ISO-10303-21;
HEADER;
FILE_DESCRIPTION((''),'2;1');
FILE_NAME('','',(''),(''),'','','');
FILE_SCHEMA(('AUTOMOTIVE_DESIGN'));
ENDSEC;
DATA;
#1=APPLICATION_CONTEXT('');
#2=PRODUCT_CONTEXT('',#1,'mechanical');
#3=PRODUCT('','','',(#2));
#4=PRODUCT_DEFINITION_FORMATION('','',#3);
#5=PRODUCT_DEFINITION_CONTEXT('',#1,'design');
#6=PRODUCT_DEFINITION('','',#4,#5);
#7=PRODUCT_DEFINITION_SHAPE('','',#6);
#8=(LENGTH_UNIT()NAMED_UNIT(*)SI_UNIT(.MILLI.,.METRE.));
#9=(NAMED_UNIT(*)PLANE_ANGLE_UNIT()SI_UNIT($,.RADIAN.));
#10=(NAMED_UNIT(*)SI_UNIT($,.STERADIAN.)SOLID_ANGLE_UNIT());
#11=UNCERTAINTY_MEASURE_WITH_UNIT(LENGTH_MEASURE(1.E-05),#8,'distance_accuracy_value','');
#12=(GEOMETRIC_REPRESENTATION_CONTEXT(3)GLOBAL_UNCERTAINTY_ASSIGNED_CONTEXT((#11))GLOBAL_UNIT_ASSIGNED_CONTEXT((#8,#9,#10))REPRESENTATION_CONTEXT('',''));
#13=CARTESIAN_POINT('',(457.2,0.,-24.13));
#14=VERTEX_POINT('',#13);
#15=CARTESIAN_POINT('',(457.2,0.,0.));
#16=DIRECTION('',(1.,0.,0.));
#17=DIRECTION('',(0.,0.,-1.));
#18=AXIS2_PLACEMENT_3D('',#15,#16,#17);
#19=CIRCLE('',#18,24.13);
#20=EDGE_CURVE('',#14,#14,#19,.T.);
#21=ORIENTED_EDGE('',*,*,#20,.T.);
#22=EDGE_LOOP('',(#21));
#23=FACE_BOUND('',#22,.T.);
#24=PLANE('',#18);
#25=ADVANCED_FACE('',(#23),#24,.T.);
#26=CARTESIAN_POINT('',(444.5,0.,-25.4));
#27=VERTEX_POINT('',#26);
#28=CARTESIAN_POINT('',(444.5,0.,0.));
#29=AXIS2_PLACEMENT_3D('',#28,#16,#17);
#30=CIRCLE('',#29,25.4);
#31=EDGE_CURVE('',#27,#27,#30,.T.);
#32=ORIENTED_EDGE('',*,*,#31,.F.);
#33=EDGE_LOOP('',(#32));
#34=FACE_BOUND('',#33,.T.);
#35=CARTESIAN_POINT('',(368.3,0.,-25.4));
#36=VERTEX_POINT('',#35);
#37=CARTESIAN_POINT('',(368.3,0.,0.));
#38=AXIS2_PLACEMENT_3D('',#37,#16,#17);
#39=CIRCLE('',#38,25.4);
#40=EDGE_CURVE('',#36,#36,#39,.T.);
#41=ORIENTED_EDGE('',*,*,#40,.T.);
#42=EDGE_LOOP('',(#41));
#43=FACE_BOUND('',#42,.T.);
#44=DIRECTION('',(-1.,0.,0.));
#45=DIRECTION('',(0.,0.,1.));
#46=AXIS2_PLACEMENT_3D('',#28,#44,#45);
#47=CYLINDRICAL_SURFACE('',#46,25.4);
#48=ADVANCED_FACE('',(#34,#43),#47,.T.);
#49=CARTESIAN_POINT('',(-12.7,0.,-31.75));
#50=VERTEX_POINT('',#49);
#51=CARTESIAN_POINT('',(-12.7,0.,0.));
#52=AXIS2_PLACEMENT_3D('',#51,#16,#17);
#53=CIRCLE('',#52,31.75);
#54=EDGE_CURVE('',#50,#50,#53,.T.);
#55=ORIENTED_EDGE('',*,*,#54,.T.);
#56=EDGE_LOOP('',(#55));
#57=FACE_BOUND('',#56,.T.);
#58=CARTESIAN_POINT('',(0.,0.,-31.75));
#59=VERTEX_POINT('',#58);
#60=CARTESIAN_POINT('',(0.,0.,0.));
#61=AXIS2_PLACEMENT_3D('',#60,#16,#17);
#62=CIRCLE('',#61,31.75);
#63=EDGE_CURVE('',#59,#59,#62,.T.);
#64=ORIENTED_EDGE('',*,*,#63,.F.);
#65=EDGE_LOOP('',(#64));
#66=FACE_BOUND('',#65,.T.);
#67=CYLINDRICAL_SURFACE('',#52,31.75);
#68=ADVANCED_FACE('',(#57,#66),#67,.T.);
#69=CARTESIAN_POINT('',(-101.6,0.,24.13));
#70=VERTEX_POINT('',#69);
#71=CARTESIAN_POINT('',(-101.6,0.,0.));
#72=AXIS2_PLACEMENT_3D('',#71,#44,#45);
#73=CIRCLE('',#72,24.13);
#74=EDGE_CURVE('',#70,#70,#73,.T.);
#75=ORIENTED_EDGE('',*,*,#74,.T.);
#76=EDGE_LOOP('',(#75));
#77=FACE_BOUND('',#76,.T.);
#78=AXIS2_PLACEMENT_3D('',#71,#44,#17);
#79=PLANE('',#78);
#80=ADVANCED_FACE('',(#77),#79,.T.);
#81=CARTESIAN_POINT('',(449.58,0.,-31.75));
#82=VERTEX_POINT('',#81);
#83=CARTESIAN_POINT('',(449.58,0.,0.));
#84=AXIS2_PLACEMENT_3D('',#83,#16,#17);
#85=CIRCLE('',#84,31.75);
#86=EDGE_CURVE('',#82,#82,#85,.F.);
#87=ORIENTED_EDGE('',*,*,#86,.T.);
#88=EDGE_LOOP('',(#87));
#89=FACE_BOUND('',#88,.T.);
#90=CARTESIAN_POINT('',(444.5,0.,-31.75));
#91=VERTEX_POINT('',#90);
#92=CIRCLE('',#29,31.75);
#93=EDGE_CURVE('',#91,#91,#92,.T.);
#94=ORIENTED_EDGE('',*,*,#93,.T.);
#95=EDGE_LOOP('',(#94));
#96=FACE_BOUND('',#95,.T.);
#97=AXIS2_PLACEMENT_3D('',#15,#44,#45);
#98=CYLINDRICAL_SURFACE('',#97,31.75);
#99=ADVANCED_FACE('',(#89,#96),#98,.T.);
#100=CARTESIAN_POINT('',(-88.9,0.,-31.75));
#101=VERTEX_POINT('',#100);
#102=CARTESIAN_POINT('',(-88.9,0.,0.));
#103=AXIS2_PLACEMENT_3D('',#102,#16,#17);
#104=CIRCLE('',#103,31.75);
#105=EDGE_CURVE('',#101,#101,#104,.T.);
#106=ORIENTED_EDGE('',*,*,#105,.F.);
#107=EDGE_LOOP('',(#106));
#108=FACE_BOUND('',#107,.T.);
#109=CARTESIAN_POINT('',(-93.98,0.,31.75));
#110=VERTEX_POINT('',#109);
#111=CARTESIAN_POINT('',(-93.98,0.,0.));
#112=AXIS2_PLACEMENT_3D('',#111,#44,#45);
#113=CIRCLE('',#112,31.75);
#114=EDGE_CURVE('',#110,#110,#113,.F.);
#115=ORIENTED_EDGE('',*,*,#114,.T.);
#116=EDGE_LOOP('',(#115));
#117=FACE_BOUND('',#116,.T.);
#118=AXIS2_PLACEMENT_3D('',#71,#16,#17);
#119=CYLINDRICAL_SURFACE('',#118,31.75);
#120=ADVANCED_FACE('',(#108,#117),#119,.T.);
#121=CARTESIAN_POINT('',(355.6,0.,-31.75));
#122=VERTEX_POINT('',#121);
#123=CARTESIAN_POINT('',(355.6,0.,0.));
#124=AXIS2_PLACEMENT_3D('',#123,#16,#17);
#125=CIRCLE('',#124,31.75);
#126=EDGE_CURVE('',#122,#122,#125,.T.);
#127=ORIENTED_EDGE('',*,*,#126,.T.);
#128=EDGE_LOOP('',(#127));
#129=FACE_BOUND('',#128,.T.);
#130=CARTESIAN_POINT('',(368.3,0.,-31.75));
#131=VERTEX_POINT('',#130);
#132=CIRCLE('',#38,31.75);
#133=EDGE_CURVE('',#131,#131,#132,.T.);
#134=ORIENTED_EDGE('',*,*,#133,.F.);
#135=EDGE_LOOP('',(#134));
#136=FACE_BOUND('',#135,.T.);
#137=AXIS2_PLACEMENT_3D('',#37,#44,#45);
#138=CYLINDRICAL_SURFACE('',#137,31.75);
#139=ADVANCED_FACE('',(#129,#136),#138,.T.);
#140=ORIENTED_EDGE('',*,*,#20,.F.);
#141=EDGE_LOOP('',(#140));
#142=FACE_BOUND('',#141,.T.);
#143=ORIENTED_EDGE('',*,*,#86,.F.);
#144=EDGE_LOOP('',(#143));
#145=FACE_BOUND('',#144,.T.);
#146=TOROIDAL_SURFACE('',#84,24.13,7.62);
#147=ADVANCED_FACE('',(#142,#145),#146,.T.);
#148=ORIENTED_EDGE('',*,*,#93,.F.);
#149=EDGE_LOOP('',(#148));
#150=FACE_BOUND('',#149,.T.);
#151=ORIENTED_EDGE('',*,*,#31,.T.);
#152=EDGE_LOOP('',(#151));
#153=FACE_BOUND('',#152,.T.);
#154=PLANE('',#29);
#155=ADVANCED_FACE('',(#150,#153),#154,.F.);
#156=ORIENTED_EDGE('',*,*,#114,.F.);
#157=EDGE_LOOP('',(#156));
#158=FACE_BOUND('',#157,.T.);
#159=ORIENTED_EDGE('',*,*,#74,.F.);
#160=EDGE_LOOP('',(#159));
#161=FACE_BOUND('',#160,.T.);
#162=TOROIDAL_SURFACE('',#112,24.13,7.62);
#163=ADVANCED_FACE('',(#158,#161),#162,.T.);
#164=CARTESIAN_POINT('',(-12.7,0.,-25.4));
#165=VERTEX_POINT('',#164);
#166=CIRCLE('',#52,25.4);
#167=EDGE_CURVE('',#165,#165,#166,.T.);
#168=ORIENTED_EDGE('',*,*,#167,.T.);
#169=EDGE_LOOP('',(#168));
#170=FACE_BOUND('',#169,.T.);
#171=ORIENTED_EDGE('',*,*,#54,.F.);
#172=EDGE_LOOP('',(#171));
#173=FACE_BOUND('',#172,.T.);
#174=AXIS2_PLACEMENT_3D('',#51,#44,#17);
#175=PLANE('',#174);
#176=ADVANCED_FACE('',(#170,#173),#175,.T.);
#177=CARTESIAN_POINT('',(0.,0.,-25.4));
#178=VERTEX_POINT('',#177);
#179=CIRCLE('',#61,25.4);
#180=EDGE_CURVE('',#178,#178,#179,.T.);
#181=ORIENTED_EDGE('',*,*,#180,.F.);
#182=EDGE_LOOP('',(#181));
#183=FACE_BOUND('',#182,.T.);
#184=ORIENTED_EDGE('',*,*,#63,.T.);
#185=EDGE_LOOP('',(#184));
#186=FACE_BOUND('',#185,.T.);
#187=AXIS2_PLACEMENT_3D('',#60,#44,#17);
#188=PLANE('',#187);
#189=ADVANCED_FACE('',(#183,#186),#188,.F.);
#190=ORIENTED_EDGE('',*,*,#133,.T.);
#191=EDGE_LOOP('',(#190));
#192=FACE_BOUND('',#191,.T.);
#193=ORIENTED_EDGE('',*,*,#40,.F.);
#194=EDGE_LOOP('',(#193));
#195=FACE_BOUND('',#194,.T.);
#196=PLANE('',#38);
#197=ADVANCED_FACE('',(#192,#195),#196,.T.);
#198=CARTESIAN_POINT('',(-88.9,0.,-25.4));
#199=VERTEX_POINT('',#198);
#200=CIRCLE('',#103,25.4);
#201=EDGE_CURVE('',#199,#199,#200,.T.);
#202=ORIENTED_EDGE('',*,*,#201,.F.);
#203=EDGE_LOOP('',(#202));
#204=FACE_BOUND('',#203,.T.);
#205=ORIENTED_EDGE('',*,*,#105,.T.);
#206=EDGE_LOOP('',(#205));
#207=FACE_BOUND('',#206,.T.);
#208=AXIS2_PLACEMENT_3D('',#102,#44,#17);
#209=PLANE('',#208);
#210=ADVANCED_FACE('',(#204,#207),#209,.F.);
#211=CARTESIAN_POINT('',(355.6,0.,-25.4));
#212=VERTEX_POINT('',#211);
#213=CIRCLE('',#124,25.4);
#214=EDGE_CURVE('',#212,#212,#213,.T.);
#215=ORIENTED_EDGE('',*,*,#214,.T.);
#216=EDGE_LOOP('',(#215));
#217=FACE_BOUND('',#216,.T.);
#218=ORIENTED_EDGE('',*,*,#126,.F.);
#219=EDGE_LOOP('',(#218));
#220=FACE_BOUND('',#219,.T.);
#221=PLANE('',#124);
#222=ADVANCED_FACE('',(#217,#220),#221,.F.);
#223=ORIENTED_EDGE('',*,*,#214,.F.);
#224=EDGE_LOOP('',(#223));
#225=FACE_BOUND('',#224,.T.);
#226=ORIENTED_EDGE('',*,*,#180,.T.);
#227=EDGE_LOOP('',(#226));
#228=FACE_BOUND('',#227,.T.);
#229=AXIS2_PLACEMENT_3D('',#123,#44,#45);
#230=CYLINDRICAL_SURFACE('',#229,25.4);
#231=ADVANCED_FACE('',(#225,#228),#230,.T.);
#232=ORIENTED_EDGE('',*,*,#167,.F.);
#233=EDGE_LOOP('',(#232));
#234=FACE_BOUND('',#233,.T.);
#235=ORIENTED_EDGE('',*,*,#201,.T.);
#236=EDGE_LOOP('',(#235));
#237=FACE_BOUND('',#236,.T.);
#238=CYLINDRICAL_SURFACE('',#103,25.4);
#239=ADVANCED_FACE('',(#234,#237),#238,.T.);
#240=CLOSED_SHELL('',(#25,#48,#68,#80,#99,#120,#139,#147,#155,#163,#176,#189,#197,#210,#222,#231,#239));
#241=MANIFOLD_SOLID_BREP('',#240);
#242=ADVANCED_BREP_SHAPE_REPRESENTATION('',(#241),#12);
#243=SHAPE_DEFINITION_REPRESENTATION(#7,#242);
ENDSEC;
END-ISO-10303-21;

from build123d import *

# Parameters (mm, degrees)
SKETCH1_R           = 25.4
BOSS_EXTRUDE1_DEPTH = 355.6
SKETCH2_R           = 31.75
BOSS_EXTRUDE2_DEPTH = 12.7
SKETCH3_R           = 25.4
BOSS_EXTRUDE3_DEPTH = 76.2
SKETCH4_R           = 31.75
BOSS_EXTRUDE4_DEPTH = 12.7
FILLET1_R           = 7.62
FILLET2_R           = 7.62


with BuildPart() as part:
    # Sketch1 → Boss-Extrude1 (new body)
    with BuildSketch(Plane(origin=(0, 0, 0), x_dir=(0, 0, -1), z_dir=(1, 0, 0))):
        Circle(SKETCH1_R)
    extrude(amount=BOSS_EXTRUDE1_DEPTH)

    # Sketch2 → Boss-Extrude2 (add)
    with BuildSketch(Plane(origin=(355.6, 0, 0), x_dir=(0, 0, -1), z_dir=(1, 0, 0))):
        Circle(SKETCH2_R)
    boss_extrude2 = extrude(amount=BOSS_EXTRUDE2_DEPTH)

    # Sketch3 → Boss-Extrude3 (add)
    with BuildSketch(Plane(origin=(368.3, 0, 0), x_dir=(0, 0, -1), z_dir=(1, 0, 0))):
        Circle(SKETCH3_R)
    boss_extrude3 = extrude(amount=BOSS_EXTRUDE3_DEPTH)

    # Sketch4 → Boss-Extrude4 (add)
    with BuildSketch(Plane(origin=(444.5, 0, 0), x_dir=(0, 0, -1), z_dir=(1, 0, 0))):
        Circle(SKETCH4_R)
    boss_extrude4 = extrude(amount=BOSS_EXTRUDE4_DEPTH)

    # Mirror1: Boss-Extrude2, Boss-Extrude3, Boss-Extrude4 across plane
    add(boss_extrude2.mirror(Plane.ZY.offset(-177.8)))
    add(boss_extrude3.mirror(Plane.ZY.offset(-177.8)))
    add(boss_extrude4.mirror(Plane.ZY.offset(-177.8)))

    # Fillet1
    fillet1_edges = [part.edges().sort_by_distance(p)[0] for p in [
        (457.2, 0, 31.75),
    ]]
    fillet(fillet1_edges, radius=FILLET1_R)

    # Fillet2
    fillet2_edges = [part.edges().sort_by_distance(p)[0] for p in [
        (-101.6, 0, 31.75),
    ]]
    fillet(fillet2_edges, radius=FILLET2_R)


solid = part.part
